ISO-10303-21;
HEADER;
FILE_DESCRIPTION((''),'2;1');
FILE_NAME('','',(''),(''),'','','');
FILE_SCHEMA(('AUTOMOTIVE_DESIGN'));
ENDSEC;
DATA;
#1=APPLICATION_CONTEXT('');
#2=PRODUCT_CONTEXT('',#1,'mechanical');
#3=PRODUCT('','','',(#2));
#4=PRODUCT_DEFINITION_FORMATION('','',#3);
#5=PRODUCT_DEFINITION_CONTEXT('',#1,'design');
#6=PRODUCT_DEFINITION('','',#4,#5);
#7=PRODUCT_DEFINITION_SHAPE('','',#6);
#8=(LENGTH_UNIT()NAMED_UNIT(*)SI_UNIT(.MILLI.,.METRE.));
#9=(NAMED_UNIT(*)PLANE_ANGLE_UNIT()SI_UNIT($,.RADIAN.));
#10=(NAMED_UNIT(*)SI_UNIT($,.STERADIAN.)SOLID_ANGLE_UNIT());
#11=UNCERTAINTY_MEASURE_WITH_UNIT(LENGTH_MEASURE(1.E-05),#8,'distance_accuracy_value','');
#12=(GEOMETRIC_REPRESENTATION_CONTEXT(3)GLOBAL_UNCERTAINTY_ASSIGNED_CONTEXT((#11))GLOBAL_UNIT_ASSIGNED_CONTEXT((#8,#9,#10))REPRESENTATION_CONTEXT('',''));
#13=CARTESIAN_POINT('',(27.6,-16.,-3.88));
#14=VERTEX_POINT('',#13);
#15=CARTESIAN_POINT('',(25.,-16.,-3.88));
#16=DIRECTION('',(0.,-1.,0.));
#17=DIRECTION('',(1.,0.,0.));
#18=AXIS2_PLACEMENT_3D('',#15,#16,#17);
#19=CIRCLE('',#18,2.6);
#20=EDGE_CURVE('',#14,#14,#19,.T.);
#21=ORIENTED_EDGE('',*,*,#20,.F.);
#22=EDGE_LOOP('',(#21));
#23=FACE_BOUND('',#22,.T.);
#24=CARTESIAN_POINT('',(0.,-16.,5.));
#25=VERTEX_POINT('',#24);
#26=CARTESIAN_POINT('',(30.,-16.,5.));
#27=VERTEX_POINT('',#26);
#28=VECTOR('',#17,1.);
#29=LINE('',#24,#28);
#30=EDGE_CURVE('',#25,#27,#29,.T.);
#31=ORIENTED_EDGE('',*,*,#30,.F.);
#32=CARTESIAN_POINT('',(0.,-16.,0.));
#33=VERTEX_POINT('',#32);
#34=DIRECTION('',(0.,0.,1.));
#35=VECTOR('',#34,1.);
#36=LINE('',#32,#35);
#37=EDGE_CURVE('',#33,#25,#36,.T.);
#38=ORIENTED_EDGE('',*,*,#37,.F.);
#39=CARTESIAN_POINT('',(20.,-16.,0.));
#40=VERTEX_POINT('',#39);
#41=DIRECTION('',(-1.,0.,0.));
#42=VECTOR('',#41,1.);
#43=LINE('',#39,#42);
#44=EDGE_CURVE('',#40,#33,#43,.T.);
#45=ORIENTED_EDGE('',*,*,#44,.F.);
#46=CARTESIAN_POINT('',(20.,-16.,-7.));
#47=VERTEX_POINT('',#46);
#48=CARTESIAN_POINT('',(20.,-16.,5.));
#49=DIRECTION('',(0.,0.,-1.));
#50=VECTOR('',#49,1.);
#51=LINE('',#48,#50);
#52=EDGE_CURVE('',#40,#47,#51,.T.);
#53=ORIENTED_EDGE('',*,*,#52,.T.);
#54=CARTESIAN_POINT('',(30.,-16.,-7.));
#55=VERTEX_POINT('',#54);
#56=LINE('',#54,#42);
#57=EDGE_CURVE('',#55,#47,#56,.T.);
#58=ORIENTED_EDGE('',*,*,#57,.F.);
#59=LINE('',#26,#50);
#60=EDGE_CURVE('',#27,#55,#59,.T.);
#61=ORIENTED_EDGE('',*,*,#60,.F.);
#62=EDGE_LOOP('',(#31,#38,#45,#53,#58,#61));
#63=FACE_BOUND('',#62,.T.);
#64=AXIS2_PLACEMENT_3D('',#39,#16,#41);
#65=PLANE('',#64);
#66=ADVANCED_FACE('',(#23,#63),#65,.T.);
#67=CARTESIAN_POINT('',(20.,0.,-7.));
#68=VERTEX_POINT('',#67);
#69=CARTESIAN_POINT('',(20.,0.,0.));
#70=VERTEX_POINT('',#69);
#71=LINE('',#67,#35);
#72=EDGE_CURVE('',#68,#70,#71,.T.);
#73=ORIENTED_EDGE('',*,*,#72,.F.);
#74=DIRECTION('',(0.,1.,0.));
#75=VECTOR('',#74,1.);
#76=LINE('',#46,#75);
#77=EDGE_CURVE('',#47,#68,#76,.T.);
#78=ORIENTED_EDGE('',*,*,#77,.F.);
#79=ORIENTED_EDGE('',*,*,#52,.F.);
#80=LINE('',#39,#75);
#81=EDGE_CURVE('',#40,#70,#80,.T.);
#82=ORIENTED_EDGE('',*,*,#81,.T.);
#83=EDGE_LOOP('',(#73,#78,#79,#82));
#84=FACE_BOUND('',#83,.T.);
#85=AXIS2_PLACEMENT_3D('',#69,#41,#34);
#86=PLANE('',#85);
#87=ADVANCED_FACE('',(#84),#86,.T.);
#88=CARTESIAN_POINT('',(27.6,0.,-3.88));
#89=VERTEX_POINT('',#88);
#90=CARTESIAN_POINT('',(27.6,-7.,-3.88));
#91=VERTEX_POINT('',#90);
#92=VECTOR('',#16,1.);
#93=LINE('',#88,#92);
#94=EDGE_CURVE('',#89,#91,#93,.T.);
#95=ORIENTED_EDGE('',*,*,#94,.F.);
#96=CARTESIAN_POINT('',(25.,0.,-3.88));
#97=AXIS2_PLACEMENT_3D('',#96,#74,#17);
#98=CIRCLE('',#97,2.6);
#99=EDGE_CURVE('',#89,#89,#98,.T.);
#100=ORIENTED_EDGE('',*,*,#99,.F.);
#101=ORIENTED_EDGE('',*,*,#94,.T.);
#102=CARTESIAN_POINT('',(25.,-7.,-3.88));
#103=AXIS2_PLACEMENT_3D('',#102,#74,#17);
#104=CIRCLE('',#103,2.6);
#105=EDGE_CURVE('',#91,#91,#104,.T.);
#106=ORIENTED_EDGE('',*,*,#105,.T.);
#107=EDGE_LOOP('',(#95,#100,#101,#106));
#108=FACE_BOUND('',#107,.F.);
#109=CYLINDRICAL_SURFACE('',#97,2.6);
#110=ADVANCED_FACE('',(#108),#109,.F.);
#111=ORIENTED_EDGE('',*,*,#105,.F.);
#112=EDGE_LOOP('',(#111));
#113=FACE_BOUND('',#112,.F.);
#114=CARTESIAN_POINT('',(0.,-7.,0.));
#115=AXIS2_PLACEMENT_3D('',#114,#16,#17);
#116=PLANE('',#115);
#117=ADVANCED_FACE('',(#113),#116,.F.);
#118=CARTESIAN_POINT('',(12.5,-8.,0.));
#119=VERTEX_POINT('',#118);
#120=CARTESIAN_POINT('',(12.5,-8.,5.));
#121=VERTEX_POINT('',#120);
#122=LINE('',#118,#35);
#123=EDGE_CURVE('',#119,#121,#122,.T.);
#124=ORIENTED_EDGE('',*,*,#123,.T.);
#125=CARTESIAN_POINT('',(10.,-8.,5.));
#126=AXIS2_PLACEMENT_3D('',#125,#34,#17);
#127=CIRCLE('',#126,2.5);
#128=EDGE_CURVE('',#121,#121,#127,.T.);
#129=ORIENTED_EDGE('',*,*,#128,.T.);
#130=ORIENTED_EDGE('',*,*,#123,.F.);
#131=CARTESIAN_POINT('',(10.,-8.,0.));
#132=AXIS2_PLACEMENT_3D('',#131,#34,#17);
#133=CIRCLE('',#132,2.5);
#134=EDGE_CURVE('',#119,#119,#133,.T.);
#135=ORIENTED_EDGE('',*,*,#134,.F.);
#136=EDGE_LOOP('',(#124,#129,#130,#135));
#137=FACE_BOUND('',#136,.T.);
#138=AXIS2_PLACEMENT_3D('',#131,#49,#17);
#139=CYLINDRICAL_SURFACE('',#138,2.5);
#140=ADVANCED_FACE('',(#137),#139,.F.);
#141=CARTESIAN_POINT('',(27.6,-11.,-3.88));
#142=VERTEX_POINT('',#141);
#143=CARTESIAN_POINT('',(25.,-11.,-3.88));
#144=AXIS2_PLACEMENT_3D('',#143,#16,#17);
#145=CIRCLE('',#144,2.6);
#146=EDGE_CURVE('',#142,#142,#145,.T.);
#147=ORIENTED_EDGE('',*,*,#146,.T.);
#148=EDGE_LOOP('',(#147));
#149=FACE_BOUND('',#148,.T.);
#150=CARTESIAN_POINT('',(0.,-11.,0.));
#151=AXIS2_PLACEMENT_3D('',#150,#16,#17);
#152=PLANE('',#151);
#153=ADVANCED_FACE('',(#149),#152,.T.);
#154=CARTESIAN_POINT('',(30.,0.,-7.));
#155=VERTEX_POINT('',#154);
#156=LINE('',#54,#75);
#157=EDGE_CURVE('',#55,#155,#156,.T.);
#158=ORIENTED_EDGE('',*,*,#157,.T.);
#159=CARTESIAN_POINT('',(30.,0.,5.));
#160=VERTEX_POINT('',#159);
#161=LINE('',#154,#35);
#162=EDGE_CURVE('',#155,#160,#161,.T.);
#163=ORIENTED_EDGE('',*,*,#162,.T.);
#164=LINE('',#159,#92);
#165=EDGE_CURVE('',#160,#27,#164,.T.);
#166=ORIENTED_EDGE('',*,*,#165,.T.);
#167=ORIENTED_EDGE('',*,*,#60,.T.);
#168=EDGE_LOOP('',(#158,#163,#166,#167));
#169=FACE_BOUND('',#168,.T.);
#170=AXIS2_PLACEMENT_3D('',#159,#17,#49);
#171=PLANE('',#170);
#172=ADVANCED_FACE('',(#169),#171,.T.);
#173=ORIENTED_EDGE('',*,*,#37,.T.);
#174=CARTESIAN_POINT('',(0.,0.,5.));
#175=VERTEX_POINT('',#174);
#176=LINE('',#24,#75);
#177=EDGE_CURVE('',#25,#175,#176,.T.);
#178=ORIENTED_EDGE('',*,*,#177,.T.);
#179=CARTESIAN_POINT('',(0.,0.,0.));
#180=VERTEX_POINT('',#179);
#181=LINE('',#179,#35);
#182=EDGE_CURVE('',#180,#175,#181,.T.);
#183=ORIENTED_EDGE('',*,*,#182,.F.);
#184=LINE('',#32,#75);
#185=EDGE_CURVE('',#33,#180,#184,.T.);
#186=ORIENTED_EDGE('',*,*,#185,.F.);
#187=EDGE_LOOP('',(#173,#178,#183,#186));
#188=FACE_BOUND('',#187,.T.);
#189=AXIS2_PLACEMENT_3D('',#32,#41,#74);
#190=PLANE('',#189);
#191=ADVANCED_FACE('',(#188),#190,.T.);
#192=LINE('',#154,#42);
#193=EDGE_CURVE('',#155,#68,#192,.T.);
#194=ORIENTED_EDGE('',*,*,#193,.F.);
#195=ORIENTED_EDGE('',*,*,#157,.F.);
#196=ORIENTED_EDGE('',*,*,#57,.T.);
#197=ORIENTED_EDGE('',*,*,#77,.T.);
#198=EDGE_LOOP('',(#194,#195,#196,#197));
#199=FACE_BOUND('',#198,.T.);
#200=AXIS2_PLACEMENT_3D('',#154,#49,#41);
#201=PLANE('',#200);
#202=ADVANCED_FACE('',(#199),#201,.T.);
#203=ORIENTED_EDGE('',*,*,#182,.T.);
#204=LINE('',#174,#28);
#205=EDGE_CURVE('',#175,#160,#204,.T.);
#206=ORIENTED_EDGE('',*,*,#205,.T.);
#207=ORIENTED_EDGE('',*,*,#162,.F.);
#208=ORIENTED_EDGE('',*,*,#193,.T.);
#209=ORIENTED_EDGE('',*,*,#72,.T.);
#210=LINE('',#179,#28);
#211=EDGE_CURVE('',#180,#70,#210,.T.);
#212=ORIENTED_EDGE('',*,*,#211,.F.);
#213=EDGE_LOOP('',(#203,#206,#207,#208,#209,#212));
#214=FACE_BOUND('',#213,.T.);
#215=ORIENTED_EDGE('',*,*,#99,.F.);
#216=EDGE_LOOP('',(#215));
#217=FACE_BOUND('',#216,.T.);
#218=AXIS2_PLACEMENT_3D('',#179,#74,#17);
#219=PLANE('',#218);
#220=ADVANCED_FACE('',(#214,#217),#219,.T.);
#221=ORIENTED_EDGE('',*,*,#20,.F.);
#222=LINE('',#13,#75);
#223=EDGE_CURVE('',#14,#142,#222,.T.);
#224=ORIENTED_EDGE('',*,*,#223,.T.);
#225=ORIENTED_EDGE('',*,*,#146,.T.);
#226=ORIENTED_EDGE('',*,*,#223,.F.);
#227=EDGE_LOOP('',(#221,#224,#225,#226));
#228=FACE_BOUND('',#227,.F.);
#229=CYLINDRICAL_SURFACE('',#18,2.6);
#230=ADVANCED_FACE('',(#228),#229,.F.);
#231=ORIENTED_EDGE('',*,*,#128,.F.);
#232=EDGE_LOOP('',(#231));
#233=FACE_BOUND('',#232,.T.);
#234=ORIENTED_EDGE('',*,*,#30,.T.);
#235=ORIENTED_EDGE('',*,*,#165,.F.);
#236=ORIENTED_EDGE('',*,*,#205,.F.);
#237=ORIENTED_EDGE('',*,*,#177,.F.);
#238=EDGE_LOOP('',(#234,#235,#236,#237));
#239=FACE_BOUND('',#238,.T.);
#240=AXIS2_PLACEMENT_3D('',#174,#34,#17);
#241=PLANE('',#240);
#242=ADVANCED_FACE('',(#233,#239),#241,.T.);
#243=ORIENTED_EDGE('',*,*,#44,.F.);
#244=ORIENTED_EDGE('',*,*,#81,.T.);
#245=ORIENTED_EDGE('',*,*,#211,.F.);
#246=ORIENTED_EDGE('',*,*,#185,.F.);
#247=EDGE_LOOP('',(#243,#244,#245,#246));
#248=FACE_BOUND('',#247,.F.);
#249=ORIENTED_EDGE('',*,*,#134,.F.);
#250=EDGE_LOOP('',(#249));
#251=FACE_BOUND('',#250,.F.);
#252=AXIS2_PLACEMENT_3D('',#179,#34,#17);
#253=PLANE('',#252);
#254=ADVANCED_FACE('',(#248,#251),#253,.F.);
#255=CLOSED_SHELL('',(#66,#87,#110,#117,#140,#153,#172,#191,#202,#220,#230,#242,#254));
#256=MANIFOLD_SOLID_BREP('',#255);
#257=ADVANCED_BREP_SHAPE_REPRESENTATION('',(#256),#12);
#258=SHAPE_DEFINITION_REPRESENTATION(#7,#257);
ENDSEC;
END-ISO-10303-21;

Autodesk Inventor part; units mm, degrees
ref_plane "YZ Plane" through (0, 0, 0) normal (1, 0, 0) x (0, 1, 0)
ref_plane "XZ Plane" through (0, 0, 0) normal (0, 1, 0) x (-1, 0, 0)
ref_plane "XY Plane" through (0, 0, 0) normal (0, 0, 1) x (1, 0, 0)
sketch "Sketch1" plane through (0, 0, 0) normal (0, 0, 1) x (1, 0, 0)
  line L0 (0, 0) -> (20, 0)
  line L1 (20, 0) -> (20, -16)
  line L2 (20, -16) -> (0, -16)
  line L3 (0, -16) -> (0, 0)
  circle A0 centre (10, -8) radius 2.5
  dimension "d0" = 20
  dimension "d1" = 16
  dimension "d2" = 8
  dimension "d3" = 10
  dimension "d4" = 5
extrude "Extrusion1" add sketch "Sketch1" along normal blind 5
sketch "Sketch2" plane through (0, 0, 0) normal (0, 1, 0) x (1, 0, 0)
  line L0 (20, 0) -> (20, -5) projected
  line L1 (20, 0) -> (30, 0)
  line L2 (30, 0) -> (30, 7)
  line L3 (30, 7) -> (20, 7)
  line L4 (20, 7) -> (20, 0)
  line L5 (20, -5) -> (30, -5)
  line L6 (30, -5) -> (30, 0)
  line L7 (30, 0) -> (20, 0)
  line L8 (20, 0) -> (20, -5)
  circle A0 centre (25, 3.88) radius 2.6
  point P0 (0, 0)
  dimension "d7" = 10
  dimension "d8" = 7
  dimension "d9" = 5.2
extrude "Extrusion2" add sketch "Sketch2" against normal blind 16
sketch "Sketch3" plane through (0, -16, 0) normal (0, -1, 0) x (1, 0, 0)
  line L0 (30, -7) -> (30, 5) projected
  line L1 (0, 0) -> (20, 0) projected
  line L2 (30, -7) -> (20, -7)
  line L3 (20, -7) -> (20, 0)
  line L4 (20, 0) -> (30, 0)
  line L5 (30, 0) -> (30, -7)
extrude "Extrusion3" add sketch "Sketch3" against normal blind 9
sketch "Sketch4" plane through (0, -16, 0) normal (0, -1, 0) x (1, 0, 0)
  circle A0 centre (25, -3.88) radius 2.6 projected
  circle A1 centre (25, -3.88) radius 2.6
  point P0 (0, 0)
  dimension "d16" = 5.2
extrude "Extrusion4" cut sketch "Sketch4" against normal blind 5
equation "\"d2\" = 0.5 * d1"
equation "\"d3\" = 0.5 * d0"
properties part number "cover mount LR v03"
